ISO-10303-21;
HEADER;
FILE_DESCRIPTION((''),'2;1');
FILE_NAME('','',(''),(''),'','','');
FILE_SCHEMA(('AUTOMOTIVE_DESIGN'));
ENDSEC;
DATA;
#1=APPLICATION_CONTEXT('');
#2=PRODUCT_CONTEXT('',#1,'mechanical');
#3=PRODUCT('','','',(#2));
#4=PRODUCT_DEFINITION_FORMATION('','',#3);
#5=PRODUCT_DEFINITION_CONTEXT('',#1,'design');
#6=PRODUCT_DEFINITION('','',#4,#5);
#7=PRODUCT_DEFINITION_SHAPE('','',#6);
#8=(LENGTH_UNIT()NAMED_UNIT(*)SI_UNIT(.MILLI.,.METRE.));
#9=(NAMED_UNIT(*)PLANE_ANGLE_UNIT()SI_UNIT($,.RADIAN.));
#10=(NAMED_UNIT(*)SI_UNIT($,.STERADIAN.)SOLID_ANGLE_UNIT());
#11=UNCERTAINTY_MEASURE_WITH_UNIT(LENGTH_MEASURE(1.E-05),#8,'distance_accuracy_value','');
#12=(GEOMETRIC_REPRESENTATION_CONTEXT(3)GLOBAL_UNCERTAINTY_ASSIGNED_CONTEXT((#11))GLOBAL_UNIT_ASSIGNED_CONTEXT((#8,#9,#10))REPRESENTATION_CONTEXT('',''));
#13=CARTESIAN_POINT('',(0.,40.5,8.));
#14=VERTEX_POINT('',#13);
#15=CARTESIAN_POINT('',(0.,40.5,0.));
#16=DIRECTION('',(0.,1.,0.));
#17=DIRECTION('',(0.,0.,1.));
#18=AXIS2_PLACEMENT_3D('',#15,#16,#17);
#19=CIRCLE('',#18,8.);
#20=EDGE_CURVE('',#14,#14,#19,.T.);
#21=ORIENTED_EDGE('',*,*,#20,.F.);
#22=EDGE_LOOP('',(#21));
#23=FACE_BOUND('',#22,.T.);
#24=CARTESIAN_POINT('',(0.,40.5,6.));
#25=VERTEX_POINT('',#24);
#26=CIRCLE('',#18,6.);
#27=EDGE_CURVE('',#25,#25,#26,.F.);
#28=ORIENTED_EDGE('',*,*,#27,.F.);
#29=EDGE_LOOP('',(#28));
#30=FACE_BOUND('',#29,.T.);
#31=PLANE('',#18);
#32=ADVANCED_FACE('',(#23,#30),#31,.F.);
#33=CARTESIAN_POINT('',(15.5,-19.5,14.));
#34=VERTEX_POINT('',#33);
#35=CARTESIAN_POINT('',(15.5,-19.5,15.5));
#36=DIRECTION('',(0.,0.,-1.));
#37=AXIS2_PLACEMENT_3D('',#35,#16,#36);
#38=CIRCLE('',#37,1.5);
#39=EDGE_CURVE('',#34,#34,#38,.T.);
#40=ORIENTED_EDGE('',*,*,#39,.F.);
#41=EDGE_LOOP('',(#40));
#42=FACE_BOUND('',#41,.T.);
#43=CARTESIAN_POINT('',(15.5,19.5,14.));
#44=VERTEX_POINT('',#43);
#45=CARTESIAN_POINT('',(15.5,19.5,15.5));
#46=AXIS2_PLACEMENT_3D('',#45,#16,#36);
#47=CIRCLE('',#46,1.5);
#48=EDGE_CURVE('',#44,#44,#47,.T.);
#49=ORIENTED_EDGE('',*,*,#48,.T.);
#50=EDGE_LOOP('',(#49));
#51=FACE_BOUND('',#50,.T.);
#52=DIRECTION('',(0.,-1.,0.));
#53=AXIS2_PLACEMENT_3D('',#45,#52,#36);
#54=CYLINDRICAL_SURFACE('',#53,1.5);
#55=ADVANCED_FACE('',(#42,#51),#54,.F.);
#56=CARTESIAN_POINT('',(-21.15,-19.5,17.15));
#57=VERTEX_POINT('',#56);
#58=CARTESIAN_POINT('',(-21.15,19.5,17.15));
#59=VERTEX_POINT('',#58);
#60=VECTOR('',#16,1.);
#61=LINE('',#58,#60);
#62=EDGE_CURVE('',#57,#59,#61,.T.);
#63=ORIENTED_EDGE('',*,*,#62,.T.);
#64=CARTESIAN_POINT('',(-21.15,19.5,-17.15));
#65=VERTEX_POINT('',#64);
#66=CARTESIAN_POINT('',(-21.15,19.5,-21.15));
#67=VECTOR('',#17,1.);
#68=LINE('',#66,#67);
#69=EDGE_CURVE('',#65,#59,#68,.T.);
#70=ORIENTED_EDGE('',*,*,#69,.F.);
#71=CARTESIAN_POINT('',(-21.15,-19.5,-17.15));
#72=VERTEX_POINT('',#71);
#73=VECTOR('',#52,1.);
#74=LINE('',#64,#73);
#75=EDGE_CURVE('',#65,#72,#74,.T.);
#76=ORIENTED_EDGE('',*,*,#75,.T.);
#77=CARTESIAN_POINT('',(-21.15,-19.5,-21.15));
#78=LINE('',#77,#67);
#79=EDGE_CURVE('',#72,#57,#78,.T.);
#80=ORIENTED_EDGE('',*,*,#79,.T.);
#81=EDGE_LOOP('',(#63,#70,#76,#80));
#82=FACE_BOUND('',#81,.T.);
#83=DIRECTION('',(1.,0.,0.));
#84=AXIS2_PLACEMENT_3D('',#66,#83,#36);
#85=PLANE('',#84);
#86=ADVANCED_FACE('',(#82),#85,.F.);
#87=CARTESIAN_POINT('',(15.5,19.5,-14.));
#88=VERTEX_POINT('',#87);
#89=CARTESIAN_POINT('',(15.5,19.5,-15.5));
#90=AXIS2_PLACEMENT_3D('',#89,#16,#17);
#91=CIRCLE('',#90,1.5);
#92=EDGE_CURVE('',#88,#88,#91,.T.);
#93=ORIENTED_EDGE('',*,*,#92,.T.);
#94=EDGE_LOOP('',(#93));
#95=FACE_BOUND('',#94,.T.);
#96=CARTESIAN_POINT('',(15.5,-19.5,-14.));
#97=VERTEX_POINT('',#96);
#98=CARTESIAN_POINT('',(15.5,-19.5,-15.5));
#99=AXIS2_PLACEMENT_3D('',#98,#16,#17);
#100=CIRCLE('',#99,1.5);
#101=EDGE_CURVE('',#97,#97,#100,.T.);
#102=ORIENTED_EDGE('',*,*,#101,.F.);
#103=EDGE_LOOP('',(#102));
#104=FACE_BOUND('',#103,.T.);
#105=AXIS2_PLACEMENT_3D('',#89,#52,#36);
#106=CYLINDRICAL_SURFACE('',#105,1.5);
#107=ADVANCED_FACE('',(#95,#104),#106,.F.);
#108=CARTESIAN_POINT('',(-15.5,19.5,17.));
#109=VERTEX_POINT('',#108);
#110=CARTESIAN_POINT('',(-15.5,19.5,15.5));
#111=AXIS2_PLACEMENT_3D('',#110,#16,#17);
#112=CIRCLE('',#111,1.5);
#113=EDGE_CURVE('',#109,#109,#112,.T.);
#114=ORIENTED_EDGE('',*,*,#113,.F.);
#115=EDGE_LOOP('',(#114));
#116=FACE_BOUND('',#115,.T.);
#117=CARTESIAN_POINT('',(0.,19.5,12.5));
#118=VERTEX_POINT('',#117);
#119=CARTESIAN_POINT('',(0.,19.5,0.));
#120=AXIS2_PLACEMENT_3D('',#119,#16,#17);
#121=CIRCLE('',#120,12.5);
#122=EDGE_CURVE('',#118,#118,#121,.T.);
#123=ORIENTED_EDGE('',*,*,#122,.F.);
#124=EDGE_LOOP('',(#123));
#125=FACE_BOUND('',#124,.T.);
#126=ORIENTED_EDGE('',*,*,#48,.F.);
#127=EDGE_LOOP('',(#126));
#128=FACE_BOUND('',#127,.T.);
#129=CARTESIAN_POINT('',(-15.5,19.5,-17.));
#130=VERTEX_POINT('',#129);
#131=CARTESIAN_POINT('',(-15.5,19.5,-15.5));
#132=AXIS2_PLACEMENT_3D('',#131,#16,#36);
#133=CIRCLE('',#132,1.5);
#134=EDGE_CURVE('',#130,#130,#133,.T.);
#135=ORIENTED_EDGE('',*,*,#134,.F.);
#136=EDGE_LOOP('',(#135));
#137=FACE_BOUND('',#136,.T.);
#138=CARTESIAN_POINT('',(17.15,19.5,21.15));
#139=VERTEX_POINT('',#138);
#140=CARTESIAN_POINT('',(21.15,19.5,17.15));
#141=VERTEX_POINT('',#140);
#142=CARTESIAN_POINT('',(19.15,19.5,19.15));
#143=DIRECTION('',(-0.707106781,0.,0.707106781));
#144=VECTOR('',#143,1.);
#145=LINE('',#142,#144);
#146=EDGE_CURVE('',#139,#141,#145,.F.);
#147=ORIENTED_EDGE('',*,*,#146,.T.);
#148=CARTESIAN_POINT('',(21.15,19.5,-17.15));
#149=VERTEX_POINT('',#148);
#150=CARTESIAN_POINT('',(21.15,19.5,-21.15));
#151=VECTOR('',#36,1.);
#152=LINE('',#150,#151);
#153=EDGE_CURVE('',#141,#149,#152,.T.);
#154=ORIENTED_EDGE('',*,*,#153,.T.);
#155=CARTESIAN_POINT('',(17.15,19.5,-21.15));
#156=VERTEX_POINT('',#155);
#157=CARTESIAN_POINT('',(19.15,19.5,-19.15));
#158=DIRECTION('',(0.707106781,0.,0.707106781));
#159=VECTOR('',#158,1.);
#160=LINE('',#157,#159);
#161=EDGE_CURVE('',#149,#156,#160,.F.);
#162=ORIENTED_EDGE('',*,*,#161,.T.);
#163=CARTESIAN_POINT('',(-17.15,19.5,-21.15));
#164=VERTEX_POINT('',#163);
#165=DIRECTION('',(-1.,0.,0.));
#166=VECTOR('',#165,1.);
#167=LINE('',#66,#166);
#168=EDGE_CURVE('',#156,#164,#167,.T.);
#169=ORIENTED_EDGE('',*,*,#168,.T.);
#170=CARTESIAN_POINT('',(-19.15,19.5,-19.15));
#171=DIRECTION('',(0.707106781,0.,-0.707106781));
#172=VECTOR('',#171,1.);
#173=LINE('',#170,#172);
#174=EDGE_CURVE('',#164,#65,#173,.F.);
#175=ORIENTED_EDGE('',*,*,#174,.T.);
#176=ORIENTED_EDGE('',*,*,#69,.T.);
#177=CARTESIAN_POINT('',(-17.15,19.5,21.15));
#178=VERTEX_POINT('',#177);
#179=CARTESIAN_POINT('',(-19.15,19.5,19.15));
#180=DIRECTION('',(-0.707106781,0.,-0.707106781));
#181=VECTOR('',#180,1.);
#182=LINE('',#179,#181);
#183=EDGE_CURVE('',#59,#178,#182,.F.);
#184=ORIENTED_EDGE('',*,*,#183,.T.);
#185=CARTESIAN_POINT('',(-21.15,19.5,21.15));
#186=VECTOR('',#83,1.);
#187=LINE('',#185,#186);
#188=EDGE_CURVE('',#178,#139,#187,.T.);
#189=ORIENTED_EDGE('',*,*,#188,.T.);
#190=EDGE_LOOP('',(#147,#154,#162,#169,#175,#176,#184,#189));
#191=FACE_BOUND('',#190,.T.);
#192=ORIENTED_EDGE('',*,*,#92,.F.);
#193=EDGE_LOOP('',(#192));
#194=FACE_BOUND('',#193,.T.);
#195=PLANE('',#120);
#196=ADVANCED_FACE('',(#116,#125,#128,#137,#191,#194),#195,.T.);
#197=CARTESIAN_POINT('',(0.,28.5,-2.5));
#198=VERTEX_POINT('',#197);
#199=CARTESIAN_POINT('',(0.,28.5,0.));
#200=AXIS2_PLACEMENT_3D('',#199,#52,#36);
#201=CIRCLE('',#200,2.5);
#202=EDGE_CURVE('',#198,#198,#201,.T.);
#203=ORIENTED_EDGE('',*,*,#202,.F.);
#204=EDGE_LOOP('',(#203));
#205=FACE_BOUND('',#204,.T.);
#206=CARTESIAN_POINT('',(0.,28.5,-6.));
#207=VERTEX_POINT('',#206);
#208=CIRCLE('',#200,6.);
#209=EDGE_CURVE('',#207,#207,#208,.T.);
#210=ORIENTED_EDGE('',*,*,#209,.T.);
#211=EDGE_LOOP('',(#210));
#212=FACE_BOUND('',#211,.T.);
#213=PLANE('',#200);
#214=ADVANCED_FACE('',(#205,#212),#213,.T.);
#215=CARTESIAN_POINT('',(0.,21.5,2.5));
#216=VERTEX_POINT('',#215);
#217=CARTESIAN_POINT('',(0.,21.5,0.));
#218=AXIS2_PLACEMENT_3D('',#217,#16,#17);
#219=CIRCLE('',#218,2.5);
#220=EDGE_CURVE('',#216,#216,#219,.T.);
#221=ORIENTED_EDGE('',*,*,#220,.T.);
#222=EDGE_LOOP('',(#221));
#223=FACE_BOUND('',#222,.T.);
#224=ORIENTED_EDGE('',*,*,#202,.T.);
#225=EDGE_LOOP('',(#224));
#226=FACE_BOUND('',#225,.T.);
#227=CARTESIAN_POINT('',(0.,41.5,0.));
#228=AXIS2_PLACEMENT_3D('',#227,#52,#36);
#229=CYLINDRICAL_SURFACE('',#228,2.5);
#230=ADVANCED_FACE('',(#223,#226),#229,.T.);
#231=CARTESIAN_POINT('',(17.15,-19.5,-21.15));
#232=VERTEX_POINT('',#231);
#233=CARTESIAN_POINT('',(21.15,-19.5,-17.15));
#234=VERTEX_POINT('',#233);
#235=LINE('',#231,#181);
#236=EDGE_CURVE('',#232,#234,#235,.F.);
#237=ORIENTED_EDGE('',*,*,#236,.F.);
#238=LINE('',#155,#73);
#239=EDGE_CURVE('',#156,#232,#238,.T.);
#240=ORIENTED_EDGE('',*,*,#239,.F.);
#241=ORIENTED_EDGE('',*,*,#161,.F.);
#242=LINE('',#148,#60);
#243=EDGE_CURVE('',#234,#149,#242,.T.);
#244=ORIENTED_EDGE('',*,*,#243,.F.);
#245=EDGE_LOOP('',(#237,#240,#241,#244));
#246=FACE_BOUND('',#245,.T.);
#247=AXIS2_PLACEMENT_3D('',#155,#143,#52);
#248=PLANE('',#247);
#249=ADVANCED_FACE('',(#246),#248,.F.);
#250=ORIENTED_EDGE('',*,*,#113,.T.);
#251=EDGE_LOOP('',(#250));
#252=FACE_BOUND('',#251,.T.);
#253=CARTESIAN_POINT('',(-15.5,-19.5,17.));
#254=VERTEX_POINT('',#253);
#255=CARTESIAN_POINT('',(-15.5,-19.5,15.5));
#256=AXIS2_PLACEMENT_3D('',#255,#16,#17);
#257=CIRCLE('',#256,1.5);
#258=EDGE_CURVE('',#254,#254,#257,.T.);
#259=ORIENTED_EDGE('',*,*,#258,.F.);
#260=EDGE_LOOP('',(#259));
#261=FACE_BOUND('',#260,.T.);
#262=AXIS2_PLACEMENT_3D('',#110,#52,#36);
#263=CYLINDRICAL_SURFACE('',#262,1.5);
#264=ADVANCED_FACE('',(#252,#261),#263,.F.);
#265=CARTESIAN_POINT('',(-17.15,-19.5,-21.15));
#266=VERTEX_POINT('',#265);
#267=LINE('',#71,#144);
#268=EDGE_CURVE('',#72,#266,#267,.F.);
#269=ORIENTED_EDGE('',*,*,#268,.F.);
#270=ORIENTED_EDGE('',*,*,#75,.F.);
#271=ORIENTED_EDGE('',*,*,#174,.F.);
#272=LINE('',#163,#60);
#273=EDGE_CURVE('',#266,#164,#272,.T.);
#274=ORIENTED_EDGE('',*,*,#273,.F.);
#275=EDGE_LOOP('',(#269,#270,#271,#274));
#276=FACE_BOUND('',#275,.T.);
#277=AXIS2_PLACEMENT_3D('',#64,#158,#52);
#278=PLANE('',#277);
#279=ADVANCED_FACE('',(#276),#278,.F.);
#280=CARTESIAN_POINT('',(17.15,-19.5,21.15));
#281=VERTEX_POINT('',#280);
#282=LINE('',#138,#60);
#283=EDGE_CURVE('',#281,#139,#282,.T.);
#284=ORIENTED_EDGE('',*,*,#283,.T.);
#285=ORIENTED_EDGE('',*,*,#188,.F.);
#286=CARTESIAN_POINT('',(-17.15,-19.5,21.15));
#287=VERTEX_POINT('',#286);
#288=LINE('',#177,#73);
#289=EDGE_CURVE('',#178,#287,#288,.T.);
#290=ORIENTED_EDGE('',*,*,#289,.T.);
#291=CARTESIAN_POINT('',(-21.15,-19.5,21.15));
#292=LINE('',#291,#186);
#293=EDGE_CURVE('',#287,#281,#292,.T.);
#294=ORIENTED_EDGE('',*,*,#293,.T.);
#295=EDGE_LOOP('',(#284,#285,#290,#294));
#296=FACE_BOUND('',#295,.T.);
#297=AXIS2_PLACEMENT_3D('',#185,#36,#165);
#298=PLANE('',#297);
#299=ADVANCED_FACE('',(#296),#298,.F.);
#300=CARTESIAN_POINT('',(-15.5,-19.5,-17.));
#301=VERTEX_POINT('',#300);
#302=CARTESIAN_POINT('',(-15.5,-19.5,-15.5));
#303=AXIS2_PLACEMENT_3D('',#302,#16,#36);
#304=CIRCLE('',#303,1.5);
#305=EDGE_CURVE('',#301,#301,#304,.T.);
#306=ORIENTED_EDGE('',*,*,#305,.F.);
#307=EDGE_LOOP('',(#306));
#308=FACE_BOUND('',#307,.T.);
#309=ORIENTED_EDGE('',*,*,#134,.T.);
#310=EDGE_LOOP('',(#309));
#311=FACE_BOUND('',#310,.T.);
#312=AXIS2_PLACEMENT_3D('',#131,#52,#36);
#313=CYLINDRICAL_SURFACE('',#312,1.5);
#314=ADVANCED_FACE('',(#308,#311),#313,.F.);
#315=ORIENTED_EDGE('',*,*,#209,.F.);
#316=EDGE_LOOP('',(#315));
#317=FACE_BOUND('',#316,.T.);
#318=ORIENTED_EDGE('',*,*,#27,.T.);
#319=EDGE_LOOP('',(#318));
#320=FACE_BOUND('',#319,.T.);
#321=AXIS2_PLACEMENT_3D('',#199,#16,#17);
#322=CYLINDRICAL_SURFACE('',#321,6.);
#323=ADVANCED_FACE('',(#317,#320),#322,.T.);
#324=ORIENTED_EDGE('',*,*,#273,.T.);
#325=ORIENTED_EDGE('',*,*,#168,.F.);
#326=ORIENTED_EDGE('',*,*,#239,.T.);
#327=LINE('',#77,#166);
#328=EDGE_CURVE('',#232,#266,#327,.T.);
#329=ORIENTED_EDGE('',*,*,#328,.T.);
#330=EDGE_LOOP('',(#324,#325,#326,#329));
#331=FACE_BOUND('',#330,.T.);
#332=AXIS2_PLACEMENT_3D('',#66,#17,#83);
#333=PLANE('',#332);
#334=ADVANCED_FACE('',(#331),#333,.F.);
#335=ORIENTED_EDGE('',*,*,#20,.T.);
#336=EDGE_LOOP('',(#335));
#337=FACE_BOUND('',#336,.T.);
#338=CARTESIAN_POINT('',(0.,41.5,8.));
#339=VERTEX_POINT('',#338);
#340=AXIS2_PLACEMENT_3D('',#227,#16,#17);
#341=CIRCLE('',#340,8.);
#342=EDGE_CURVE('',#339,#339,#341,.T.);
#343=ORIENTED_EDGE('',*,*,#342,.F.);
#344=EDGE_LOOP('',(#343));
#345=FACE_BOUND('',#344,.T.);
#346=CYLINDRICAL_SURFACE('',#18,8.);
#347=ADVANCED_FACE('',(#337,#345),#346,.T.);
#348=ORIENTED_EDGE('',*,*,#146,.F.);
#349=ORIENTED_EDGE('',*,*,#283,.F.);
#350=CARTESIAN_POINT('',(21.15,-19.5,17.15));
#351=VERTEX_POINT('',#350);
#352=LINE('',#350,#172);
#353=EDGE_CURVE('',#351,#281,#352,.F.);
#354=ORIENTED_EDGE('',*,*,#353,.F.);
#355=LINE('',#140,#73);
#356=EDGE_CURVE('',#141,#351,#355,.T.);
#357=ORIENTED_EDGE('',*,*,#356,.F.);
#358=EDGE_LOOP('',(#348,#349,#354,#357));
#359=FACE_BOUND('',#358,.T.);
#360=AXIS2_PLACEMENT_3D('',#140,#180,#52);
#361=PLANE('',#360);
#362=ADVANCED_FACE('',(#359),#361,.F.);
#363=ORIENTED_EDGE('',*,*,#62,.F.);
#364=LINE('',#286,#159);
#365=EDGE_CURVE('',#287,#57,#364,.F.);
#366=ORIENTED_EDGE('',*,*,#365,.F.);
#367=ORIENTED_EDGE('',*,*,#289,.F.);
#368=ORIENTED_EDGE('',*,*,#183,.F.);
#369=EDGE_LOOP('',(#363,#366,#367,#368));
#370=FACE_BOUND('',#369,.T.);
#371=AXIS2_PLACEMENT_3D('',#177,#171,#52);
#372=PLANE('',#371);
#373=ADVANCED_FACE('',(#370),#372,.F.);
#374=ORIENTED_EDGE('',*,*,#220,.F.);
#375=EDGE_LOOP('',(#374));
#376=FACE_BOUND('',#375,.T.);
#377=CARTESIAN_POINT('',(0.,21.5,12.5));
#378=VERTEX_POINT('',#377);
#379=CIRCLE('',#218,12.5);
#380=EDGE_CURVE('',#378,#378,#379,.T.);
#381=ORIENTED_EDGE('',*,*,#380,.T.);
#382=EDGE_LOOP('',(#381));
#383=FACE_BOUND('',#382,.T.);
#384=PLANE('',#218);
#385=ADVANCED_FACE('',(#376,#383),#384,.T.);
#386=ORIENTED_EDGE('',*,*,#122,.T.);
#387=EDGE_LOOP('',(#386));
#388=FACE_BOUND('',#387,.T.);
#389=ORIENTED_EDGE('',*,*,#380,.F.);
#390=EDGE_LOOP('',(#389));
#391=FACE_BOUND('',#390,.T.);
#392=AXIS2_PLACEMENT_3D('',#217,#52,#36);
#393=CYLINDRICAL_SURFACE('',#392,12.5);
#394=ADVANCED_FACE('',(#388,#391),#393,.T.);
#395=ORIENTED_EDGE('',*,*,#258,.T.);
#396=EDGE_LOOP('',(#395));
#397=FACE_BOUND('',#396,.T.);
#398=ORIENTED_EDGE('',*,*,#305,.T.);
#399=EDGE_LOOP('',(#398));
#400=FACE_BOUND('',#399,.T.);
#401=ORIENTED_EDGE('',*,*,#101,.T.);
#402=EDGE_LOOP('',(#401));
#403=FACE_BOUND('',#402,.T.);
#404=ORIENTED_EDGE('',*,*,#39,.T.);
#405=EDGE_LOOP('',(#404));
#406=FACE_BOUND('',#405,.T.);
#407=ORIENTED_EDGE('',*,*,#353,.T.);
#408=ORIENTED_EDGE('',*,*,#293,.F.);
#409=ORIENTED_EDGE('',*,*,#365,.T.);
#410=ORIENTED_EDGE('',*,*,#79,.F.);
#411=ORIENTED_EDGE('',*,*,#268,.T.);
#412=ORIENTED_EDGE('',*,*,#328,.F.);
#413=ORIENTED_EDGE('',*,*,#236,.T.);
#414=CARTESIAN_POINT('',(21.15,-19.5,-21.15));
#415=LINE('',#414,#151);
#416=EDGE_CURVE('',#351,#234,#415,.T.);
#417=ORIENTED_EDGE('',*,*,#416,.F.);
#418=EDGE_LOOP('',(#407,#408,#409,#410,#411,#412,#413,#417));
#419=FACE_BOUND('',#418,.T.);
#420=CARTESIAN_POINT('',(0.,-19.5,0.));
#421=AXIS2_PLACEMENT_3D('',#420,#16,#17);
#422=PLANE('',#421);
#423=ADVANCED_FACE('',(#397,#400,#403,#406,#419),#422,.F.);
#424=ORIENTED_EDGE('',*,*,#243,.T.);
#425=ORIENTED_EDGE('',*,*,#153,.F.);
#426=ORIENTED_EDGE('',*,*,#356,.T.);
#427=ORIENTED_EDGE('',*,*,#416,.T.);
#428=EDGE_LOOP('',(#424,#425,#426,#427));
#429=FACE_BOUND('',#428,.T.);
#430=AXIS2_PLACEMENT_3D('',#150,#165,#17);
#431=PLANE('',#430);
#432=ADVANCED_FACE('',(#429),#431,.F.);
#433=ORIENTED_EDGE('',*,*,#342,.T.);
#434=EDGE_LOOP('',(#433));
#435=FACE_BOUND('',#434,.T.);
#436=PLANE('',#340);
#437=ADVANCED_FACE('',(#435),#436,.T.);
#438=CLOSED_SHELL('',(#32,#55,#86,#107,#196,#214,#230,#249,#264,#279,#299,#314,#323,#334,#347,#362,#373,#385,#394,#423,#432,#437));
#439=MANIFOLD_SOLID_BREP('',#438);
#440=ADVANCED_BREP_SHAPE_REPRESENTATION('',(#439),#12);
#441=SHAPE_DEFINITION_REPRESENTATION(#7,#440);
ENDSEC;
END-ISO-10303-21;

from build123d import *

# Parameters (mm, degrees)
CROQUIS1_W              = 42.3
CROQUIS1_H              = 42.3
CROQUIS1_R              = 1.5
SALIENTE_EXTRUIR1_DEPTH = 19.5
CROQUIS2_R              = 12.5
SALIENTE_EXTRUIR2_DEPTH = 2
CROQUIS3_R              = 2.5
SALIENTE_EXTRUIR3_DEPTH = 20
CROQUIS4_R              = 8
SALIENTE_EXTRUIR4_DEPTH = 1
CROQUIS5_R              = 6
SALIENTE_EXTRUIR5_DEPTH = 12
CHAFL_N1_SIZE           = 4


with BuildPart() as part:
    # Croquis1 → Saliente-Extruir1 (new body, symmetric)
    with BuildSketch(Plane(origin=(0, 0, 0), x_dir=(1, 0, 0), z_dir=(0, 1, 0))):
        Rectangle(CROQUIS1_W, CROQUIS1_H)
        with Locations((15.5, 15.5)):
            Circle(CROQUIS1_R, mode=Mode.SUBTRACT)
        with Locations((15.5, -15.5)):
            Circle(CROQUIS1_R, mode=Mode.SUBTRACT)
        with Locations((-15.5, -15.5)):
            Circle(CROQUIS1_R, mode=Mode.SUBTRACT)
        with Locations((-15.5, 15.5)):
            Circle(CROQUIS1_R, mode=Mode.SUBTRACT)
    extrude(amount=SALIENTE_EXTRUIR1_DEPTH, both=True)

    # Croquis2 → Saliente-Extruir2 (add)
    with BuildSketch(Plane(origin=(0, 19.5, 0), x_dir=(1, 0, 0), z_dir=(0, 1, 0))):
        Circle(CROQUIS2_R)
    extrude(amount=SALIENTE_EXTRUIR2_DEPTH)

    # Croquis3 → Saliente-Extruir3 (add)
    with BuildSketch(Plane(origin=(0, 21.5, 0), x_dir=(1, 0, 0), z_dir=(0, 1, 0))):
        Circle(CROQUIS3_R)
    extrude(amount=SALIENTE_EXTRUIR3_DEPTH)

    # Croquis4 → Saliente-Extruir4 (add)
    with BuildSketch(Plane(origin=(0, 41.5, 0), x_dir=(1, 0, 0), z_dir=(0, 1, 0))):
        Circle(CROQUIS4_R)
    extrude(amount=-SALIENTE_EXTRUIR4_DEPTH)

    # Croquis5 → Saliente-Extruir5 (add)
    with BuildSketch(Plane.XZ.offset(-40.5)):
        Circle(CROQUIS5_R)
    extrude(amount=SALIENTE_EXTRUIR5_DEPTH)

    # Chaflán1
    chafl_n1_edges = [part.edges().sort_by_distance(p)[0] for p in [
        (21.15, 0, 21.15),
        (-21.15, 0, 21.15),
        (-21.15, 0, -21.15),
        (21.15, 0, -21.15),
    ]]
    chamfer(chafl_n1_edges, length=CHAFL_N1_SIZE)


solid = part.part
